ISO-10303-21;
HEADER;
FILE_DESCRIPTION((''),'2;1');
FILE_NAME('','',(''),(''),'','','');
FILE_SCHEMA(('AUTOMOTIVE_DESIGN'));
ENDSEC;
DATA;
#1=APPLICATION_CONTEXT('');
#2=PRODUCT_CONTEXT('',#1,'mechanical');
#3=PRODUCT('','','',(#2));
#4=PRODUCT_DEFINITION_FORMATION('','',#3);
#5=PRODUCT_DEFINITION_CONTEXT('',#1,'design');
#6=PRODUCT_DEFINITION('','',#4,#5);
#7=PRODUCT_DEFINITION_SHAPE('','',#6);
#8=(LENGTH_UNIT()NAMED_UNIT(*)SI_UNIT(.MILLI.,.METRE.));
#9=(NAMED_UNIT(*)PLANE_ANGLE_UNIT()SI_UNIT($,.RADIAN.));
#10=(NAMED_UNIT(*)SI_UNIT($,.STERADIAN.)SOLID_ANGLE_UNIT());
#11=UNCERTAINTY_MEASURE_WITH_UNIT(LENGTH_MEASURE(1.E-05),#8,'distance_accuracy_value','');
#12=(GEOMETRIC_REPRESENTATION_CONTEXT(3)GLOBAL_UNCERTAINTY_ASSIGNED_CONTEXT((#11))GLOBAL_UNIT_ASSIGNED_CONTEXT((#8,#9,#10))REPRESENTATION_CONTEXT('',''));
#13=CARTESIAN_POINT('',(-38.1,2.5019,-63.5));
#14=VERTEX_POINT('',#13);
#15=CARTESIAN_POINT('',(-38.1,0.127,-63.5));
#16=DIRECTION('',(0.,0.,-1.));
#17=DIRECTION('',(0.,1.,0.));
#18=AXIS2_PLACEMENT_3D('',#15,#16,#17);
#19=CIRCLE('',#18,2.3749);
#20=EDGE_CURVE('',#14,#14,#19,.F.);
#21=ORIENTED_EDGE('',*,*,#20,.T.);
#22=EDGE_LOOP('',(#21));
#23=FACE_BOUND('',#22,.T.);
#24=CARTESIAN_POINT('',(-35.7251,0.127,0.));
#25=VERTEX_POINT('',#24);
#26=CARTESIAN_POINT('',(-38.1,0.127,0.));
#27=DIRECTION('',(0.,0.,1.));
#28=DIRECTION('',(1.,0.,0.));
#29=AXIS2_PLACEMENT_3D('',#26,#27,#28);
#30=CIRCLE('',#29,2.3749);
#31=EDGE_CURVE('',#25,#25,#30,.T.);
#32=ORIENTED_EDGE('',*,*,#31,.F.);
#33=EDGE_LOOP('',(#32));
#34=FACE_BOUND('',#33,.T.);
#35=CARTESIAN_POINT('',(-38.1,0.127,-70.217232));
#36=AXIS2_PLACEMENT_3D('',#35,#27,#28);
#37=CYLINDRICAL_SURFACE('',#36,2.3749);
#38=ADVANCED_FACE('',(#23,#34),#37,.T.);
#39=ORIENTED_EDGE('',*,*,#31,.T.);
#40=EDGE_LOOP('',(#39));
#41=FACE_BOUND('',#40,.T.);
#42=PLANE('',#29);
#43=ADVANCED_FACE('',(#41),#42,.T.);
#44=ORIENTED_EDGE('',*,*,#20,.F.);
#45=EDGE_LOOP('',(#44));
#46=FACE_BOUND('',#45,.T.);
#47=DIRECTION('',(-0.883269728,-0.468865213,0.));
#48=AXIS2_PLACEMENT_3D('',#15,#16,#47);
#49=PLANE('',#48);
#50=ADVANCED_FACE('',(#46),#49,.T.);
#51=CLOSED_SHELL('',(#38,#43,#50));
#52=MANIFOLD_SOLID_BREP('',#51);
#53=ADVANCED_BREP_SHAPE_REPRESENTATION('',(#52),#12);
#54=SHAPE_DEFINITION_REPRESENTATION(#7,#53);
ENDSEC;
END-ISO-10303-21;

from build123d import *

# Parameters (mm, degrees)
SKETCH1_R      = 2.3749
EXTRUDE1_DEPTH = 63.5


with BuildPart() as part:
    # Sketch1 → Extrude1 (new body)
    with BuildSketch(Plane.XY):
        with Locations((-38.1, 0.127)):
            Circle(SKETCH1_R)
    extrude(amount=-EXTRUDE1_DEPTH)


solid = part.part
